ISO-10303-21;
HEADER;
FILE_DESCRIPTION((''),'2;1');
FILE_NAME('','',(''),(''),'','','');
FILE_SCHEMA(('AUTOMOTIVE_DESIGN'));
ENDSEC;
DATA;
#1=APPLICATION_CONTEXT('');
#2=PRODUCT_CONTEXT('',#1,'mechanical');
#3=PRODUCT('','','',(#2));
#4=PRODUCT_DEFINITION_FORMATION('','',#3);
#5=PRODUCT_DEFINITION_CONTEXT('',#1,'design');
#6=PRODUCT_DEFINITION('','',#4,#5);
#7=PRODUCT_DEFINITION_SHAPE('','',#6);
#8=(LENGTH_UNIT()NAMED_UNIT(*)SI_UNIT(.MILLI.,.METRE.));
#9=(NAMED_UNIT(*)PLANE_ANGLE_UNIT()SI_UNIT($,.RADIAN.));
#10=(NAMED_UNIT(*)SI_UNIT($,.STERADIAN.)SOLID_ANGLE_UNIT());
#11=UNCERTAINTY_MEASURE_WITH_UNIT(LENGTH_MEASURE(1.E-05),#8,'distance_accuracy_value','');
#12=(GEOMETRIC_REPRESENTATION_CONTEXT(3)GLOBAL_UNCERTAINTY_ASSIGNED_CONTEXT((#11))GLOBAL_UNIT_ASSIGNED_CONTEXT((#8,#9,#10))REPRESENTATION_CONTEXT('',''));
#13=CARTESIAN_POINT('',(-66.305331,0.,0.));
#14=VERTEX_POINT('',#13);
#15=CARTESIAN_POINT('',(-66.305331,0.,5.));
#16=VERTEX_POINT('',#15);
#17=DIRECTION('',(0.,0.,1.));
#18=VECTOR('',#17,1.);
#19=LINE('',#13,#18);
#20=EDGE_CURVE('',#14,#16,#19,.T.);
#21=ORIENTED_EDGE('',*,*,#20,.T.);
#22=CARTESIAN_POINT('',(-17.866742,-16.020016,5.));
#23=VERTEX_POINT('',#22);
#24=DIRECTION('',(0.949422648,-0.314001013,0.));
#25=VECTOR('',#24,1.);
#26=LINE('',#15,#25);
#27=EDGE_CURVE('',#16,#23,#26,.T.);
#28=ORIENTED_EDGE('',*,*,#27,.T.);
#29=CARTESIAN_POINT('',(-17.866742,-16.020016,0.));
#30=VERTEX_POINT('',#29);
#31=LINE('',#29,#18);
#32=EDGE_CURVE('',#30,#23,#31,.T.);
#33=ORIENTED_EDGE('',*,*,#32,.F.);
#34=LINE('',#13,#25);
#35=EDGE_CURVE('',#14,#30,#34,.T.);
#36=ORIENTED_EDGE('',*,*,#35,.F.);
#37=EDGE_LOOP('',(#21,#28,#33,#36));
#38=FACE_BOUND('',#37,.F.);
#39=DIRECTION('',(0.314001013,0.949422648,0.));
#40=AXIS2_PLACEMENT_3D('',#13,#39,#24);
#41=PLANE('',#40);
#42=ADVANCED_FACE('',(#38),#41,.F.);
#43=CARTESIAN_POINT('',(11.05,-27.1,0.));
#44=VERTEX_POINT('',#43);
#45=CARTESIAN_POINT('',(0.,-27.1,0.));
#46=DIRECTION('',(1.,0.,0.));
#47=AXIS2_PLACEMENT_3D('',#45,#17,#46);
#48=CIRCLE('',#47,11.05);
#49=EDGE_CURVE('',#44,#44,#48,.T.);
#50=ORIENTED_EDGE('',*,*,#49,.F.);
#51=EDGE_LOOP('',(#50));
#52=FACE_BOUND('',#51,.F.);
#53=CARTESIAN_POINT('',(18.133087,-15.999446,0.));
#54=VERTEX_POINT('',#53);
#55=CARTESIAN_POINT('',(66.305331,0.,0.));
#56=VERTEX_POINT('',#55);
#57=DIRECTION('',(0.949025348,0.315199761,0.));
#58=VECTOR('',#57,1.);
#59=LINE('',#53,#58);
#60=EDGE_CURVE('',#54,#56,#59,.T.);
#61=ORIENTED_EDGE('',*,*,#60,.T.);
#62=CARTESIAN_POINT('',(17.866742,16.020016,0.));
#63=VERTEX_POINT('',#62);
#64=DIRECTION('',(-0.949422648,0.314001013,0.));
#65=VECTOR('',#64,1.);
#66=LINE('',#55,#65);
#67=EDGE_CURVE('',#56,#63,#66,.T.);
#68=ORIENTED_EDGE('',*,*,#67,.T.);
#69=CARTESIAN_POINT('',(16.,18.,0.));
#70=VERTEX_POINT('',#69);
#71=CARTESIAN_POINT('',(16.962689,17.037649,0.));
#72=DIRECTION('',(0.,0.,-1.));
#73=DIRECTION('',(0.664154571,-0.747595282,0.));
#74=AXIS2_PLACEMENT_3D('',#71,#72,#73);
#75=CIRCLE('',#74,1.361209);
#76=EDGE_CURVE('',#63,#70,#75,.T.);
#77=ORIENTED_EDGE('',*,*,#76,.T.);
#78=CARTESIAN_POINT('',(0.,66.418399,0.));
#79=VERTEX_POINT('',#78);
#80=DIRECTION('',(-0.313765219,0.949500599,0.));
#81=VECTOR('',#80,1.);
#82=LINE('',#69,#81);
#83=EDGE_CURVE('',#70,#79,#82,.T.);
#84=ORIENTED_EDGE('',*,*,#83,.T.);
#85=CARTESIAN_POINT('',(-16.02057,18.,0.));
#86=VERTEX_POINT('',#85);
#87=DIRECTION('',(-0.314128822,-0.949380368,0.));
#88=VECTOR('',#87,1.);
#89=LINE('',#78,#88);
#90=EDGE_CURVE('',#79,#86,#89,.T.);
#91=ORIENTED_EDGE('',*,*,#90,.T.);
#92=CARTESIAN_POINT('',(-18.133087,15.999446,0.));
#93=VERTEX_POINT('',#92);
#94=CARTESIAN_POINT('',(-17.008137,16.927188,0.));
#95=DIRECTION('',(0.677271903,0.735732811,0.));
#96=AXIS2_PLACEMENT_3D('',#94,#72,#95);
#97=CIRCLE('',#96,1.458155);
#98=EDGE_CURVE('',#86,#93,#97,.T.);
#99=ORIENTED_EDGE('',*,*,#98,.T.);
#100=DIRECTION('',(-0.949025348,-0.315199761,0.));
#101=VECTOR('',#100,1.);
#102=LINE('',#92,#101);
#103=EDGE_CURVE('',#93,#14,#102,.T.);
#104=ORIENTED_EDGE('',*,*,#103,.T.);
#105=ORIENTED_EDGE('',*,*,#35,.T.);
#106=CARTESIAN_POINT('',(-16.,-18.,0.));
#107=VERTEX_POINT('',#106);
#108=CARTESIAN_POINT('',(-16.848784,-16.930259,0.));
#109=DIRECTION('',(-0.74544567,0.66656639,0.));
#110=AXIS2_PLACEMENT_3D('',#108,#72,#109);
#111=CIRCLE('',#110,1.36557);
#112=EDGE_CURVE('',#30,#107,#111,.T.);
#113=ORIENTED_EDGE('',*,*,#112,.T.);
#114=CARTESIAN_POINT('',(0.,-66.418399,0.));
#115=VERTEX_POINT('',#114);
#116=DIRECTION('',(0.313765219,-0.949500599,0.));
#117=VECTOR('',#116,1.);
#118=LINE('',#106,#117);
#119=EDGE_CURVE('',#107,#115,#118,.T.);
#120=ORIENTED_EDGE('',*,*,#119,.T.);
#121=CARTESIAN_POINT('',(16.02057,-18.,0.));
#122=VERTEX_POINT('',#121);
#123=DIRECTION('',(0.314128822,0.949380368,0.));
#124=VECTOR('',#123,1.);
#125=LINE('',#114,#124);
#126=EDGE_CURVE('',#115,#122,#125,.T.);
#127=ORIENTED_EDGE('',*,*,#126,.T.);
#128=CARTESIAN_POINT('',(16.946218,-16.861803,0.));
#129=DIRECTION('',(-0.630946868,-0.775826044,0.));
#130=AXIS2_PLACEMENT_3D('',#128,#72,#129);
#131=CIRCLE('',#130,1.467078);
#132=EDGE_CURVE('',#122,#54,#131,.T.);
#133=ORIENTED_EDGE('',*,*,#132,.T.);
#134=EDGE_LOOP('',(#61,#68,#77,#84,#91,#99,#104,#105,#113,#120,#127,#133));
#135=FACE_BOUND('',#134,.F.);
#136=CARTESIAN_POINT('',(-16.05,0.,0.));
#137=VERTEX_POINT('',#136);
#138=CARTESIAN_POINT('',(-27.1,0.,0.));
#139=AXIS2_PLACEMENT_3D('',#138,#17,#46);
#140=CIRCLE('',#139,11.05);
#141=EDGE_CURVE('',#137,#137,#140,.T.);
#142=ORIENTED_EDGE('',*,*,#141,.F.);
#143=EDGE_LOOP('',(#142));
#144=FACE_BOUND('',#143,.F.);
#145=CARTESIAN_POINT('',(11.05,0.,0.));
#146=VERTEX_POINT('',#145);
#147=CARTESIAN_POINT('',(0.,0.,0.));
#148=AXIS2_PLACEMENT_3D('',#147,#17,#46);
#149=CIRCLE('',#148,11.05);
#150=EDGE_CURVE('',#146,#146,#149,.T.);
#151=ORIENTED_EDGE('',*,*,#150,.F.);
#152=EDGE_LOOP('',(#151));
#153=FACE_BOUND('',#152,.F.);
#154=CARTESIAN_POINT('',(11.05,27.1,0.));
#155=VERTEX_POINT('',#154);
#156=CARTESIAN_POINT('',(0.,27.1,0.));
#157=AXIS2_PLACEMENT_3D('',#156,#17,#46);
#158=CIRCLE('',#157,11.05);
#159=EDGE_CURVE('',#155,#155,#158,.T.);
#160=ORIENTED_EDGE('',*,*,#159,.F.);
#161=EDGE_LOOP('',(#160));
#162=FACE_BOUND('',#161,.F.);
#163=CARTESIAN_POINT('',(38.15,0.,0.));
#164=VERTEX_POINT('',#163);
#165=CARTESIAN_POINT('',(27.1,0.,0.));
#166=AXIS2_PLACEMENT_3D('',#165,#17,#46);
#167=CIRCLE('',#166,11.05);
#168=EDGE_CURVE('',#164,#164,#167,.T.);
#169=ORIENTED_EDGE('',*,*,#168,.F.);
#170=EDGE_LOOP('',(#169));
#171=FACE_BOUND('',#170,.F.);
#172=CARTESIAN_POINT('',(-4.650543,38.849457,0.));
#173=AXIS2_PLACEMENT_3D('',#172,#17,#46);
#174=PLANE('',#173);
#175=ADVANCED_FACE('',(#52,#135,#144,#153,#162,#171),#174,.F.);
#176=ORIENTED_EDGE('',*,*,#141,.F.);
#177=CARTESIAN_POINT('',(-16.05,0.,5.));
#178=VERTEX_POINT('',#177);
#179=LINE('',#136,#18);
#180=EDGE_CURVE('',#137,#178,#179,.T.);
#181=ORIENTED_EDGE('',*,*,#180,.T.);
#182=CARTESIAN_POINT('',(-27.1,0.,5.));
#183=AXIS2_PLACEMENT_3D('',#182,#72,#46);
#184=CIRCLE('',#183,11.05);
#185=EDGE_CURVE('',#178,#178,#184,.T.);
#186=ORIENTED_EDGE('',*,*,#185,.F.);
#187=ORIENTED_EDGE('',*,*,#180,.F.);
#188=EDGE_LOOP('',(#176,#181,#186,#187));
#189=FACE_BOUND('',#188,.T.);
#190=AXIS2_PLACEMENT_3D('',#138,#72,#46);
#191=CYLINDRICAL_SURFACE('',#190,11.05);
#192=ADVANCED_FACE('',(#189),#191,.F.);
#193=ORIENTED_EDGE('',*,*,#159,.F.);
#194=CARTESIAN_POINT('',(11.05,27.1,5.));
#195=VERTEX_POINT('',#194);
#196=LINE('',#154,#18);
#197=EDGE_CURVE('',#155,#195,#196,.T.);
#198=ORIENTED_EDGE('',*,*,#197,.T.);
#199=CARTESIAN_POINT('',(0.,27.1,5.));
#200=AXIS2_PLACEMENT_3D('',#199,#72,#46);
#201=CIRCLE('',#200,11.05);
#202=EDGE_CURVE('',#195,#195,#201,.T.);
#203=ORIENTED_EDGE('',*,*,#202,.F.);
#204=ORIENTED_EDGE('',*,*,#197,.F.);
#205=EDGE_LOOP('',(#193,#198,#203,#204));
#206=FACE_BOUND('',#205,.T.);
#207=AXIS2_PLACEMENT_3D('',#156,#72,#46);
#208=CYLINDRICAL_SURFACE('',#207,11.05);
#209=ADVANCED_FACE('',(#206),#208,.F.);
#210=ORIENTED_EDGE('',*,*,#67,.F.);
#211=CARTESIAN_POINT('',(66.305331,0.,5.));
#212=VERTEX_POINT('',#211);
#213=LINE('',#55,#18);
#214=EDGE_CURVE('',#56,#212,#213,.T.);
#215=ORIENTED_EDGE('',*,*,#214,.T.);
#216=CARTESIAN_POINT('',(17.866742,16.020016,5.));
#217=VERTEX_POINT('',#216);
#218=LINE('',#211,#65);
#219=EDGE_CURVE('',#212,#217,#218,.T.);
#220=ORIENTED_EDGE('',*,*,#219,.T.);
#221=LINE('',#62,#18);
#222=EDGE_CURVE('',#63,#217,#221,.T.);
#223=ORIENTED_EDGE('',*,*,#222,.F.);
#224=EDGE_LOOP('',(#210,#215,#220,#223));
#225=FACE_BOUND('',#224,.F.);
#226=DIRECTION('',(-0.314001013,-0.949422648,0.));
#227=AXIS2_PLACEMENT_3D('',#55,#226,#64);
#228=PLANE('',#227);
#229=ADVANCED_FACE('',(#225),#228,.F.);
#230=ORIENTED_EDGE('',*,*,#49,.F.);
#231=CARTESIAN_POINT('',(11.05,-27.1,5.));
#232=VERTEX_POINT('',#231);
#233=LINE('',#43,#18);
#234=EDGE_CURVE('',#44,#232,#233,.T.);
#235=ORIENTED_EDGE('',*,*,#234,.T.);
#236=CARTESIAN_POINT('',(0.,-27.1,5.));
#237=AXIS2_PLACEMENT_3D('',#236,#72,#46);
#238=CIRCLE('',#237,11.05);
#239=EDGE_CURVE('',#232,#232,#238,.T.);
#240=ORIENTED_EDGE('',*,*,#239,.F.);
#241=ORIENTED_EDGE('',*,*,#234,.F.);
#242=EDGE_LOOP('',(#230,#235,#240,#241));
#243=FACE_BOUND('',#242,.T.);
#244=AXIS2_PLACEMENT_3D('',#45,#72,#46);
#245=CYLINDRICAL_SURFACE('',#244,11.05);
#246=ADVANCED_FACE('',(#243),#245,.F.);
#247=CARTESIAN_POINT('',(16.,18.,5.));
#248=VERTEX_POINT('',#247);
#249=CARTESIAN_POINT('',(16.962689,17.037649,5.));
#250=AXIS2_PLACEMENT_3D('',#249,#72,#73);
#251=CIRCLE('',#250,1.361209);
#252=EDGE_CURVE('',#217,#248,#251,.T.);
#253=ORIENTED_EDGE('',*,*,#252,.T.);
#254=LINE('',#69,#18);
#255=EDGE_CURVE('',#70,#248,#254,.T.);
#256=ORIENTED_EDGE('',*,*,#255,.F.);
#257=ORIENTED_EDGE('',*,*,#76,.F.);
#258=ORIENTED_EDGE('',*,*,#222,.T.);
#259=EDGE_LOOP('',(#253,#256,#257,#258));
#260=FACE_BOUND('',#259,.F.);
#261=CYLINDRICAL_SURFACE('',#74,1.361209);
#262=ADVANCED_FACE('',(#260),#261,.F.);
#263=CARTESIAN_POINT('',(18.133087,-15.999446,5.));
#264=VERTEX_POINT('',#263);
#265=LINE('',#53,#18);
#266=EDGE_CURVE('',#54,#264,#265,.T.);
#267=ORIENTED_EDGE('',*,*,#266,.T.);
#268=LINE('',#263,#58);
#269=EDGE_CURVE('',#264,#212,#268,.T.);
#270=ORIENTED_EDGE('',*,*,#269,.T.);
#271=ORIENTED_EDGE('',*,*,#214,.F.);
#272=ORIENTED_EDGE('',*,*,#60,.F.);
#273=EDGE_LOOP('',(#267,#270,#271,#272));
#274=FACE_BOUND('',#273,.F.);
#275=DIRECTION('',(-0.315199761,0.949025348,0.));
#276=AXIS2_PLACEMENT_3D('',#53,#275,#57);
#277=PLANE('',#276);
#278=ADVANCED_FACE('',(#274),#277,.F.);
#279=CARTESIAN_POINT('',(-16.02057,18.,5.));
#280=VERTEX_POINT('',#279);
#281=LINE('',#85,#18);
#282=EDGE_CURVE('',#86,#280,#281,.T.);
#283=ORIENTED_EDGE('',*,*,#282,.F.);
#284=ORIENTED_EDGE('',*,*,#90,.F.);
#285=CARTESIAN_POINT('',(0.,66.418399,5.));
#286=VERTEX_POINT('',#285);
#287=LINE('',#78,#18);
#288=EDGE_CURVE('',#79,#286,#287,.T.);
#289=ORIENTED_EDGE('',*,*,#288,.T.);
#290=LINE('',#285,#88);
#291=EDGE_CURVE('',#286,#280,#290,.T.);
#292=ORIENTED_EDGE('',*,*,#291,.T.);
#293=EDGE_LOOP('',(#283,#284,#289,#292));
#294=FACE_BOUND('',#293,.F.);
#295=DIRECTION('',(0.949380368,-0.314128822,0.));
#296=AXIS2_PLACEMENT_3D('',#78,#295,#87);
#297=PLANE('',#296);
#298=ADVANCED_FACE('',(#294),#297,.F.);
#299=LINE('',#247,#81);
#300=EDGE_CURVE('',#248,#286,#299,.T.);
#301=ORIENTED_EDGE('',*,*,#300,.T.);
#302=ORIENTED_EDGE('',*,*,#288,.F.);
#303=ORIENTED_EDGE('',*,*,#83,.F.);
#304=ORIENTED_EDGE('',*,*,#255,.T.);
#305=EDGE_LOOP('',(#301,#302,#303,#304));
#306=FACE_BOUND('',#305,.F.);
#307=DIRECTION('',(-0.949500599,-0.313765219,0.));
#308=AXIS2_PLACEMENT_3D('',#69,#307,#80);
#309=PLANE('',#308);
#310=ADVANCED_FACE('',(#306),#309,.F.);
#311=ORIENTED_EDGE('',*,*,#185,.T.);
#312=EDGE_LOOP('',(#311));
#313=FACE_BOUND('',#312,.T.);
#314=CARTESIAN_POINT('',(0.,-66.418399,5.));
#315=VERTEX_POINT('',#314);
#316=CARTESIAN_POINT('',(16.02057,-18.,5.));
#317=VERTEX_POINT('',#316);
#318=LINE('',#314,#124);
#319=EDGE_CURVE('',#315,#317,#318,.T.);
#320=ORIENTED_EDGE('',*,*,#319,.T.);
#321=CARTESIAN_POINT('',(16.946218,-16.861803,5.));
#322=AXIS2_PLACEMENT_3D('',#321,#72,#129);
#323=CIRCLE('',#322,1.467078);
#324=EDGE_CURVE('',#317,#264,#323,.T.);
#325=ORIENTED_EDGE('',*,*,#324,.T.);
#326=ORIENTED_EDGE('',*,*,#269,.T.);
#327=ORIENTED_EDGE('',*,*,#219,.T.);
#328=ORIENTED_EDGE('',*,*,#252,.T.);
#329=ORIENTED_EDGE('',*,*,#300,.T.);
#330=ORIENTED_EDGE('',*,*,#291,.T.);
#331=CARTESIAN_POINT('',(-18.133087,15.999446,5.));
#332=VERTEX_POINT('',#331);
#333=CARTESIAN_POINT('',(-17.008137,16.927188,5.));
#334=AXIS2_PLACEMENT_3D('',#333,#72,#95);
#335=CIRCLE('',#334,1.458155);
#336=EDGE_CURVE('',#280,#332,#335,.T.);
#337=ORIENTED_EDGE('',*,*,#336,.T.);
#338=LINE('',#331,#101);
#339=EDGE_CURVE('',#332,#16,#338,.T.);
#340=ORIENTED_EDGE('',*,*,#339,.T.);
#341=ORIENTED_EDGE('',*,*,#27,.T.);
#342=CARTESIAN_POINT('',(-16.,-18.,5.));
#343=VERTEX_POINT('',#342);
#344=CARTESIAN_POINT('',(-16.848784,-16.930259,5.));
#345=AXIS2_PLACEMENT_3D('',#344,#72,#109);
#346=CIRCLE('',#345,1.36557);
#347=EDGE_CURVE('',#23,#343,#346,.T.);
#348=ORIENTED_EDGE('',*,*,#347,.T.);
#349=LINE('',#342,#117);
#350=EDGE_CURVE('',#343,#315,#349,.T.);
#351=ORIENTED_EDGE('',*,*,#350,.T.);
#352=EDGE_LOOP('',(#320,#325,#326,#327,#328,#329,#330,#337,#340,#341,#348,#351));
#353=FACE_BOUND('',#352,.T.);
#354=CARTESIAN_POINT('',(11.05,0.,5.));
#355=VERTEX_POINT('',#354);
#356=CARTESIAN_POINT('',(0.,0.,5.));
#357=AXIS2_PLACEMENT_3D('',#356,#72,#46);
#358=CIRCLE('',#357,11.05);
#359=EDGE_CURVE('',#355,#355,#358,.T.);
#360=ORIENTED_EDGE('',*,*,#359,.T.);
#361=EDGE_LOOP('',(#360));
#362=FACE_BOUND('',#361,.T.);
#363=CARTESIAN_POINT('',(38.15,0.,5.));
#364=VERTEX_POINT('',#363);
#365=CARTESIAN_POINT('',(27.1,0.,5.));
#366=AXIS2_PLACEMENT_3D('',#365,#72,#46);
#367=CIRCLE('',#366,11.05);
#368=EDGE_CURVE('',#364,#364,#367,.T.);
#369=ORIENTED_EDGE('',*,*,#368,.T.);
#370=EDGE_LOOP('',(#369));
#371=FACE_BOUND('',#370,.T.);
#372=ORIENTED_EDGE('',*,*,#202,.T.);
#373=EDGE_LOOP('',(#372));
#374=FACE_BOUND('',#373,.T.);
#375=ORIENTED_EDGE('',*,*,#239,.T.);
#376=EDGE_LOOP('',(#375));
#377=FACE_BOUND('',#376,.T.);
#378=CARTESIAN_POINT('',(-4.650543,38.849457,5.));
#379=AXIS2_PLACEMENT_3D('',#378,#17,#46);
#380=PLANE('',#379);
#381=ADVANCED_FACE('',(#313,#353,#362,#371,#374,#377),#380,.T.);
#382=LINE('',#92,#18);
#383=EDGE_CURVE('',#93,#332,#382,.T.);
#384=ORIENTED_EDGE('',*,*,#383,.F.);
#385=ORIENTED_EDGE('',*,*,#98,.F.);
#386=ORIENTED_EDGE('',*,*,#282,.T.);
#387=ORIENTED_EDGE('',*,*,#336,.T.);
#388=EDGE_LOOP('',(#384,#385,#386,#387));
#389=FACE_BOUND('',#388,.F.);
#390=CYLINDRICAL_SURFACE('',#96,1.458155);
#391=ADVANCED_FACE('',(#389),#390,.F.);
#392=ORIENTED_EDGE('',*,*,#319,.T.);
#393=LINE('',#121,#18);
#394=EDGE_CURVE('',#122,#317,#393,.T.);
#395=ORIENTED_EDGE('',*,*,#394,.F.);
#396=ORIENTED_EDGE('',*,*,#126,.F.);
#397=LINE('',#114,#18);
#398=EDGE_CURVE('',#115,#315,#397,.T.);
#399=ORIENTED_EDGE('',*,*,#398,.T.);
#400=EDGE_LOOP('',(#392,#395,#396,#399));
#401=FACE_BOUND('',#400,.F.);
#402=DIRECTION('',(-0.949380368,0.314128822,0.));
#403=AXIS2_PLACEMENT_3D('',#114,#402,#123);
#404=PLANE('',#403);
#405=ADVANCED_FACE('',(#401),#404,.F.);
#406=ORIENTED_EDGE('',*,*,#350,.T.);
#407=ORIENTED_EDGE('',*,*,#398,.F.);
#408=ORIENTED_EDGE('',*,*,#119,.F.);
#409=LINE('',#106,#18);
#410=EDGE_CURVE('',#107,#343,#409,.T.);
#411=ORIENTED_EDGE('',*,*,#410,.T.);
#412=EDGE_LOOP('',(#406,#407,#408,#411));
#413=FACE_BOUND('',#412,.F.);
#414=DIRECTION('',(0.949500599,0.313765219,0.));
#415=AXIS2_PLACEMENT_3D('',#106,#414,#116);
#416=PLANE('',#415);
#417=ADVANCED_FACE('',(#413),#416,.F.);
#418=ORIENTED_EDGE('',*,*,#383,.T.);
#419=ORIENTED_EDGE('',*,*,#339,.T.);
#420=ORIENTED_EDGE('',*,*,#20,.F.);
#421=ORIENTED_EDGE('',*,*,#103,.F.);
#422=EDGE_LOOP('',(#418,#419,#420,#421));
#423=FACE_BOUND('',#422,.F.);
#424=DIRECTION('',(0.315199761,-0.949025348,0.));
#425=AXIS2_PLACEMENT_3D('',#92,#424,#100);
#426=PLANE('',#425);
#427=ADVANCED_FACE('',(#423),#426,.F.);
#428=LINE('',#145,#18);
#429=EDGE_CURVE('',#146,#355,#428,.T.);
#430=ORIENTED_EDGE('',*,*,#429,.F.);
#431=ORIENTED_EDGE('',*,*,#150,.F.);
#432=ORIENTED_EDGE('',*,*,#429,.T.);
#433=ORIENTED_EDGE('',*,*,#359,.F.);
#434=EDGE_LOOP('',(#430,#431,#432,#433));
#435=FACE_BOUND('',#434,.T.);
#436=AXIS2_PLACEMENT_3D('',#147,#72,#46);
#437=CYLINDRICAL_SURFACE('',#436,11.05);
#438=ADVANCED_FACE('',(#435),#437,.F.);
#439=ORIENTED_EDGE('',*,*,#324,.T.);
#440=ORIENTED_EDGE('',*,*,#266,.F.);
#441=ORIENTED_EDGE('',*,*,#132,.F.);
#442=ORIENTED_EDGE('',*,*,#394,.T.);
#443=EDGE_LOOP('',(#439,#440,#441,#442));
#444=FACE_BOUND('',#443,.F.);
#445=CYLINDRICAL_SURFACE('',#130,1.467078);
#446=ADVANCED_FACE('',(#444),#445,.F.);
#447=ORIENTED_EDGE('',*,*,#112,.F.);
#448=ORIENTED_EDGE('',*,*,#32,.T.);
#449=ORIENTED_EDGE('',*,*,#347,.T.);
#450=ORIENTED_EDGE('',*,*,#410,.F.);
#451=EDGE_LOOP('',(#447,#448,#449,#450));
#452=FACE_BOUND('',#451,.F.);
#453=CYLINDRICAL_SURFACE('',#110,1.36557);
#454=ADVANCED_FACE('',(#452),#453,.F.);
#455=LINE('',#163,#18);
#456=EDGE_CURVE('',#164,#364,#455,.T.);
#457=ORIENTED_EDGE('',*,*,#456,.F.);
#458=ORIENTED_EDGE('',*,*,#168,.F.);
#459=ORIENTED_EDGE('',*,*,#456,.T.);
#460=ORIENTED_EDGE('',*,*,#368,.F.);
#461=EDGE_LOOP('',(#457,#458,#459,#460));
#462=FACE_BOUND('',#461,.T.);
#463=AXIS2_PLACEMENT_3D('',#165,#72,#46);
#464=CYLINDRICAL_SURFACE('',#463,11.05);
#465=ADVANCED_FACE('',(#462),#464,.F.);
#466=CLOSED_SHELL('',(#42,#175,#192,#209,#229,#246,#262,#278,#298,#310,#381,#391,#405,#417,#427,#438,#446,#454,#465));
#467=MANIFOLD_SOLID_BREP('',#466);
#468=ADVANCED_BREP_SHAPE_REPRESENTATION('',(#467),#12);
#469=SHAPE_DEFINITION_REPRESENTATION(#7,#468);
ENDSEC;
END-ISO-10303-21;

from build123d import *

# Parameters (mm, degrees)
F1_DEPTH = 5
F2_R     = 11.05
F3_DEPTH = 21.4


with BuildPart() as f1:
    # F0 (on Top) → F1 (new body)
    with BuildSketch(Plane.XY):
        Polygon((-16.02057, 18), (0, 18), (0, 66.418399), align=None)
        Polygon((0, 66.418399), (0, 18), (16, 18), align=None)
        Polygon((0, -66.418399), (16.02057, -18), (0, -18), align=None)
        with BuildLine():
            Line((16, 18), (0, 18))
            Line((0, 18), (-16.02057, 18))
            ThreePointArc((-16.02057, 18), (-16.005505, 15.868441), (-18.133087, 15.999446))
            Line((-18.133087, 15.999446), (-18, 0))
            Line((-18, 0), (-17.866742, -16.020016))
            ThreePointArc((-17.866742, -16.020016), (-15.855185, -15.993487), (-16, -18))
            Line((-16, -18), (0, -18))
            Line((0, -18), (16.02057, -18))
            ThreePointArc((16.02057, -18), (15.93745, -15.796578), (18.133087, -15.999446))
            Line((18.133087, -15.999446), (18, 0))
            Line((18, 0), (17.866742, 16.020016))
            ThreePointArc((17.866742, 16.020016), (15.972263, 16.103869), (16, 18))
        make_face()
        Polygon((66.305331, 0), (17.866742, 16.020016), (18, 0), align=None)
        Polygon((66.305331, 0), (18, 0), (18.133087, -15.999446), align=None)
        Polygon((0, -18), (-16, -18), (0, -66.418399), align=None)
        Polygon((-18, 0), (-66.305331, 0), (-17.866742, -16.020016), align=None)
        Polygon((-18, 0), (-18.133087, 15.999446), (-66.305331, 0), align=None)
    extrude(amount=F1_DEPTH)

    # F2 (on Top) → F3 (cut)
    with BuildSketch(Plane.XY):
        with Locations((0, 27.1)):
            Circle(F2_R)
        Circle(F2_R)
        with Locations((-27.1, 0)):
            Circle(F2_R)
        with Locations((27.1, 0)):
            Circle(F2_R)
        with Locations((0, -27.1)):
            Circle(F2_R)
    extrude(amount=F3_DEPTH, mode=Mode.SUBTRACT)


solid = f1.part
